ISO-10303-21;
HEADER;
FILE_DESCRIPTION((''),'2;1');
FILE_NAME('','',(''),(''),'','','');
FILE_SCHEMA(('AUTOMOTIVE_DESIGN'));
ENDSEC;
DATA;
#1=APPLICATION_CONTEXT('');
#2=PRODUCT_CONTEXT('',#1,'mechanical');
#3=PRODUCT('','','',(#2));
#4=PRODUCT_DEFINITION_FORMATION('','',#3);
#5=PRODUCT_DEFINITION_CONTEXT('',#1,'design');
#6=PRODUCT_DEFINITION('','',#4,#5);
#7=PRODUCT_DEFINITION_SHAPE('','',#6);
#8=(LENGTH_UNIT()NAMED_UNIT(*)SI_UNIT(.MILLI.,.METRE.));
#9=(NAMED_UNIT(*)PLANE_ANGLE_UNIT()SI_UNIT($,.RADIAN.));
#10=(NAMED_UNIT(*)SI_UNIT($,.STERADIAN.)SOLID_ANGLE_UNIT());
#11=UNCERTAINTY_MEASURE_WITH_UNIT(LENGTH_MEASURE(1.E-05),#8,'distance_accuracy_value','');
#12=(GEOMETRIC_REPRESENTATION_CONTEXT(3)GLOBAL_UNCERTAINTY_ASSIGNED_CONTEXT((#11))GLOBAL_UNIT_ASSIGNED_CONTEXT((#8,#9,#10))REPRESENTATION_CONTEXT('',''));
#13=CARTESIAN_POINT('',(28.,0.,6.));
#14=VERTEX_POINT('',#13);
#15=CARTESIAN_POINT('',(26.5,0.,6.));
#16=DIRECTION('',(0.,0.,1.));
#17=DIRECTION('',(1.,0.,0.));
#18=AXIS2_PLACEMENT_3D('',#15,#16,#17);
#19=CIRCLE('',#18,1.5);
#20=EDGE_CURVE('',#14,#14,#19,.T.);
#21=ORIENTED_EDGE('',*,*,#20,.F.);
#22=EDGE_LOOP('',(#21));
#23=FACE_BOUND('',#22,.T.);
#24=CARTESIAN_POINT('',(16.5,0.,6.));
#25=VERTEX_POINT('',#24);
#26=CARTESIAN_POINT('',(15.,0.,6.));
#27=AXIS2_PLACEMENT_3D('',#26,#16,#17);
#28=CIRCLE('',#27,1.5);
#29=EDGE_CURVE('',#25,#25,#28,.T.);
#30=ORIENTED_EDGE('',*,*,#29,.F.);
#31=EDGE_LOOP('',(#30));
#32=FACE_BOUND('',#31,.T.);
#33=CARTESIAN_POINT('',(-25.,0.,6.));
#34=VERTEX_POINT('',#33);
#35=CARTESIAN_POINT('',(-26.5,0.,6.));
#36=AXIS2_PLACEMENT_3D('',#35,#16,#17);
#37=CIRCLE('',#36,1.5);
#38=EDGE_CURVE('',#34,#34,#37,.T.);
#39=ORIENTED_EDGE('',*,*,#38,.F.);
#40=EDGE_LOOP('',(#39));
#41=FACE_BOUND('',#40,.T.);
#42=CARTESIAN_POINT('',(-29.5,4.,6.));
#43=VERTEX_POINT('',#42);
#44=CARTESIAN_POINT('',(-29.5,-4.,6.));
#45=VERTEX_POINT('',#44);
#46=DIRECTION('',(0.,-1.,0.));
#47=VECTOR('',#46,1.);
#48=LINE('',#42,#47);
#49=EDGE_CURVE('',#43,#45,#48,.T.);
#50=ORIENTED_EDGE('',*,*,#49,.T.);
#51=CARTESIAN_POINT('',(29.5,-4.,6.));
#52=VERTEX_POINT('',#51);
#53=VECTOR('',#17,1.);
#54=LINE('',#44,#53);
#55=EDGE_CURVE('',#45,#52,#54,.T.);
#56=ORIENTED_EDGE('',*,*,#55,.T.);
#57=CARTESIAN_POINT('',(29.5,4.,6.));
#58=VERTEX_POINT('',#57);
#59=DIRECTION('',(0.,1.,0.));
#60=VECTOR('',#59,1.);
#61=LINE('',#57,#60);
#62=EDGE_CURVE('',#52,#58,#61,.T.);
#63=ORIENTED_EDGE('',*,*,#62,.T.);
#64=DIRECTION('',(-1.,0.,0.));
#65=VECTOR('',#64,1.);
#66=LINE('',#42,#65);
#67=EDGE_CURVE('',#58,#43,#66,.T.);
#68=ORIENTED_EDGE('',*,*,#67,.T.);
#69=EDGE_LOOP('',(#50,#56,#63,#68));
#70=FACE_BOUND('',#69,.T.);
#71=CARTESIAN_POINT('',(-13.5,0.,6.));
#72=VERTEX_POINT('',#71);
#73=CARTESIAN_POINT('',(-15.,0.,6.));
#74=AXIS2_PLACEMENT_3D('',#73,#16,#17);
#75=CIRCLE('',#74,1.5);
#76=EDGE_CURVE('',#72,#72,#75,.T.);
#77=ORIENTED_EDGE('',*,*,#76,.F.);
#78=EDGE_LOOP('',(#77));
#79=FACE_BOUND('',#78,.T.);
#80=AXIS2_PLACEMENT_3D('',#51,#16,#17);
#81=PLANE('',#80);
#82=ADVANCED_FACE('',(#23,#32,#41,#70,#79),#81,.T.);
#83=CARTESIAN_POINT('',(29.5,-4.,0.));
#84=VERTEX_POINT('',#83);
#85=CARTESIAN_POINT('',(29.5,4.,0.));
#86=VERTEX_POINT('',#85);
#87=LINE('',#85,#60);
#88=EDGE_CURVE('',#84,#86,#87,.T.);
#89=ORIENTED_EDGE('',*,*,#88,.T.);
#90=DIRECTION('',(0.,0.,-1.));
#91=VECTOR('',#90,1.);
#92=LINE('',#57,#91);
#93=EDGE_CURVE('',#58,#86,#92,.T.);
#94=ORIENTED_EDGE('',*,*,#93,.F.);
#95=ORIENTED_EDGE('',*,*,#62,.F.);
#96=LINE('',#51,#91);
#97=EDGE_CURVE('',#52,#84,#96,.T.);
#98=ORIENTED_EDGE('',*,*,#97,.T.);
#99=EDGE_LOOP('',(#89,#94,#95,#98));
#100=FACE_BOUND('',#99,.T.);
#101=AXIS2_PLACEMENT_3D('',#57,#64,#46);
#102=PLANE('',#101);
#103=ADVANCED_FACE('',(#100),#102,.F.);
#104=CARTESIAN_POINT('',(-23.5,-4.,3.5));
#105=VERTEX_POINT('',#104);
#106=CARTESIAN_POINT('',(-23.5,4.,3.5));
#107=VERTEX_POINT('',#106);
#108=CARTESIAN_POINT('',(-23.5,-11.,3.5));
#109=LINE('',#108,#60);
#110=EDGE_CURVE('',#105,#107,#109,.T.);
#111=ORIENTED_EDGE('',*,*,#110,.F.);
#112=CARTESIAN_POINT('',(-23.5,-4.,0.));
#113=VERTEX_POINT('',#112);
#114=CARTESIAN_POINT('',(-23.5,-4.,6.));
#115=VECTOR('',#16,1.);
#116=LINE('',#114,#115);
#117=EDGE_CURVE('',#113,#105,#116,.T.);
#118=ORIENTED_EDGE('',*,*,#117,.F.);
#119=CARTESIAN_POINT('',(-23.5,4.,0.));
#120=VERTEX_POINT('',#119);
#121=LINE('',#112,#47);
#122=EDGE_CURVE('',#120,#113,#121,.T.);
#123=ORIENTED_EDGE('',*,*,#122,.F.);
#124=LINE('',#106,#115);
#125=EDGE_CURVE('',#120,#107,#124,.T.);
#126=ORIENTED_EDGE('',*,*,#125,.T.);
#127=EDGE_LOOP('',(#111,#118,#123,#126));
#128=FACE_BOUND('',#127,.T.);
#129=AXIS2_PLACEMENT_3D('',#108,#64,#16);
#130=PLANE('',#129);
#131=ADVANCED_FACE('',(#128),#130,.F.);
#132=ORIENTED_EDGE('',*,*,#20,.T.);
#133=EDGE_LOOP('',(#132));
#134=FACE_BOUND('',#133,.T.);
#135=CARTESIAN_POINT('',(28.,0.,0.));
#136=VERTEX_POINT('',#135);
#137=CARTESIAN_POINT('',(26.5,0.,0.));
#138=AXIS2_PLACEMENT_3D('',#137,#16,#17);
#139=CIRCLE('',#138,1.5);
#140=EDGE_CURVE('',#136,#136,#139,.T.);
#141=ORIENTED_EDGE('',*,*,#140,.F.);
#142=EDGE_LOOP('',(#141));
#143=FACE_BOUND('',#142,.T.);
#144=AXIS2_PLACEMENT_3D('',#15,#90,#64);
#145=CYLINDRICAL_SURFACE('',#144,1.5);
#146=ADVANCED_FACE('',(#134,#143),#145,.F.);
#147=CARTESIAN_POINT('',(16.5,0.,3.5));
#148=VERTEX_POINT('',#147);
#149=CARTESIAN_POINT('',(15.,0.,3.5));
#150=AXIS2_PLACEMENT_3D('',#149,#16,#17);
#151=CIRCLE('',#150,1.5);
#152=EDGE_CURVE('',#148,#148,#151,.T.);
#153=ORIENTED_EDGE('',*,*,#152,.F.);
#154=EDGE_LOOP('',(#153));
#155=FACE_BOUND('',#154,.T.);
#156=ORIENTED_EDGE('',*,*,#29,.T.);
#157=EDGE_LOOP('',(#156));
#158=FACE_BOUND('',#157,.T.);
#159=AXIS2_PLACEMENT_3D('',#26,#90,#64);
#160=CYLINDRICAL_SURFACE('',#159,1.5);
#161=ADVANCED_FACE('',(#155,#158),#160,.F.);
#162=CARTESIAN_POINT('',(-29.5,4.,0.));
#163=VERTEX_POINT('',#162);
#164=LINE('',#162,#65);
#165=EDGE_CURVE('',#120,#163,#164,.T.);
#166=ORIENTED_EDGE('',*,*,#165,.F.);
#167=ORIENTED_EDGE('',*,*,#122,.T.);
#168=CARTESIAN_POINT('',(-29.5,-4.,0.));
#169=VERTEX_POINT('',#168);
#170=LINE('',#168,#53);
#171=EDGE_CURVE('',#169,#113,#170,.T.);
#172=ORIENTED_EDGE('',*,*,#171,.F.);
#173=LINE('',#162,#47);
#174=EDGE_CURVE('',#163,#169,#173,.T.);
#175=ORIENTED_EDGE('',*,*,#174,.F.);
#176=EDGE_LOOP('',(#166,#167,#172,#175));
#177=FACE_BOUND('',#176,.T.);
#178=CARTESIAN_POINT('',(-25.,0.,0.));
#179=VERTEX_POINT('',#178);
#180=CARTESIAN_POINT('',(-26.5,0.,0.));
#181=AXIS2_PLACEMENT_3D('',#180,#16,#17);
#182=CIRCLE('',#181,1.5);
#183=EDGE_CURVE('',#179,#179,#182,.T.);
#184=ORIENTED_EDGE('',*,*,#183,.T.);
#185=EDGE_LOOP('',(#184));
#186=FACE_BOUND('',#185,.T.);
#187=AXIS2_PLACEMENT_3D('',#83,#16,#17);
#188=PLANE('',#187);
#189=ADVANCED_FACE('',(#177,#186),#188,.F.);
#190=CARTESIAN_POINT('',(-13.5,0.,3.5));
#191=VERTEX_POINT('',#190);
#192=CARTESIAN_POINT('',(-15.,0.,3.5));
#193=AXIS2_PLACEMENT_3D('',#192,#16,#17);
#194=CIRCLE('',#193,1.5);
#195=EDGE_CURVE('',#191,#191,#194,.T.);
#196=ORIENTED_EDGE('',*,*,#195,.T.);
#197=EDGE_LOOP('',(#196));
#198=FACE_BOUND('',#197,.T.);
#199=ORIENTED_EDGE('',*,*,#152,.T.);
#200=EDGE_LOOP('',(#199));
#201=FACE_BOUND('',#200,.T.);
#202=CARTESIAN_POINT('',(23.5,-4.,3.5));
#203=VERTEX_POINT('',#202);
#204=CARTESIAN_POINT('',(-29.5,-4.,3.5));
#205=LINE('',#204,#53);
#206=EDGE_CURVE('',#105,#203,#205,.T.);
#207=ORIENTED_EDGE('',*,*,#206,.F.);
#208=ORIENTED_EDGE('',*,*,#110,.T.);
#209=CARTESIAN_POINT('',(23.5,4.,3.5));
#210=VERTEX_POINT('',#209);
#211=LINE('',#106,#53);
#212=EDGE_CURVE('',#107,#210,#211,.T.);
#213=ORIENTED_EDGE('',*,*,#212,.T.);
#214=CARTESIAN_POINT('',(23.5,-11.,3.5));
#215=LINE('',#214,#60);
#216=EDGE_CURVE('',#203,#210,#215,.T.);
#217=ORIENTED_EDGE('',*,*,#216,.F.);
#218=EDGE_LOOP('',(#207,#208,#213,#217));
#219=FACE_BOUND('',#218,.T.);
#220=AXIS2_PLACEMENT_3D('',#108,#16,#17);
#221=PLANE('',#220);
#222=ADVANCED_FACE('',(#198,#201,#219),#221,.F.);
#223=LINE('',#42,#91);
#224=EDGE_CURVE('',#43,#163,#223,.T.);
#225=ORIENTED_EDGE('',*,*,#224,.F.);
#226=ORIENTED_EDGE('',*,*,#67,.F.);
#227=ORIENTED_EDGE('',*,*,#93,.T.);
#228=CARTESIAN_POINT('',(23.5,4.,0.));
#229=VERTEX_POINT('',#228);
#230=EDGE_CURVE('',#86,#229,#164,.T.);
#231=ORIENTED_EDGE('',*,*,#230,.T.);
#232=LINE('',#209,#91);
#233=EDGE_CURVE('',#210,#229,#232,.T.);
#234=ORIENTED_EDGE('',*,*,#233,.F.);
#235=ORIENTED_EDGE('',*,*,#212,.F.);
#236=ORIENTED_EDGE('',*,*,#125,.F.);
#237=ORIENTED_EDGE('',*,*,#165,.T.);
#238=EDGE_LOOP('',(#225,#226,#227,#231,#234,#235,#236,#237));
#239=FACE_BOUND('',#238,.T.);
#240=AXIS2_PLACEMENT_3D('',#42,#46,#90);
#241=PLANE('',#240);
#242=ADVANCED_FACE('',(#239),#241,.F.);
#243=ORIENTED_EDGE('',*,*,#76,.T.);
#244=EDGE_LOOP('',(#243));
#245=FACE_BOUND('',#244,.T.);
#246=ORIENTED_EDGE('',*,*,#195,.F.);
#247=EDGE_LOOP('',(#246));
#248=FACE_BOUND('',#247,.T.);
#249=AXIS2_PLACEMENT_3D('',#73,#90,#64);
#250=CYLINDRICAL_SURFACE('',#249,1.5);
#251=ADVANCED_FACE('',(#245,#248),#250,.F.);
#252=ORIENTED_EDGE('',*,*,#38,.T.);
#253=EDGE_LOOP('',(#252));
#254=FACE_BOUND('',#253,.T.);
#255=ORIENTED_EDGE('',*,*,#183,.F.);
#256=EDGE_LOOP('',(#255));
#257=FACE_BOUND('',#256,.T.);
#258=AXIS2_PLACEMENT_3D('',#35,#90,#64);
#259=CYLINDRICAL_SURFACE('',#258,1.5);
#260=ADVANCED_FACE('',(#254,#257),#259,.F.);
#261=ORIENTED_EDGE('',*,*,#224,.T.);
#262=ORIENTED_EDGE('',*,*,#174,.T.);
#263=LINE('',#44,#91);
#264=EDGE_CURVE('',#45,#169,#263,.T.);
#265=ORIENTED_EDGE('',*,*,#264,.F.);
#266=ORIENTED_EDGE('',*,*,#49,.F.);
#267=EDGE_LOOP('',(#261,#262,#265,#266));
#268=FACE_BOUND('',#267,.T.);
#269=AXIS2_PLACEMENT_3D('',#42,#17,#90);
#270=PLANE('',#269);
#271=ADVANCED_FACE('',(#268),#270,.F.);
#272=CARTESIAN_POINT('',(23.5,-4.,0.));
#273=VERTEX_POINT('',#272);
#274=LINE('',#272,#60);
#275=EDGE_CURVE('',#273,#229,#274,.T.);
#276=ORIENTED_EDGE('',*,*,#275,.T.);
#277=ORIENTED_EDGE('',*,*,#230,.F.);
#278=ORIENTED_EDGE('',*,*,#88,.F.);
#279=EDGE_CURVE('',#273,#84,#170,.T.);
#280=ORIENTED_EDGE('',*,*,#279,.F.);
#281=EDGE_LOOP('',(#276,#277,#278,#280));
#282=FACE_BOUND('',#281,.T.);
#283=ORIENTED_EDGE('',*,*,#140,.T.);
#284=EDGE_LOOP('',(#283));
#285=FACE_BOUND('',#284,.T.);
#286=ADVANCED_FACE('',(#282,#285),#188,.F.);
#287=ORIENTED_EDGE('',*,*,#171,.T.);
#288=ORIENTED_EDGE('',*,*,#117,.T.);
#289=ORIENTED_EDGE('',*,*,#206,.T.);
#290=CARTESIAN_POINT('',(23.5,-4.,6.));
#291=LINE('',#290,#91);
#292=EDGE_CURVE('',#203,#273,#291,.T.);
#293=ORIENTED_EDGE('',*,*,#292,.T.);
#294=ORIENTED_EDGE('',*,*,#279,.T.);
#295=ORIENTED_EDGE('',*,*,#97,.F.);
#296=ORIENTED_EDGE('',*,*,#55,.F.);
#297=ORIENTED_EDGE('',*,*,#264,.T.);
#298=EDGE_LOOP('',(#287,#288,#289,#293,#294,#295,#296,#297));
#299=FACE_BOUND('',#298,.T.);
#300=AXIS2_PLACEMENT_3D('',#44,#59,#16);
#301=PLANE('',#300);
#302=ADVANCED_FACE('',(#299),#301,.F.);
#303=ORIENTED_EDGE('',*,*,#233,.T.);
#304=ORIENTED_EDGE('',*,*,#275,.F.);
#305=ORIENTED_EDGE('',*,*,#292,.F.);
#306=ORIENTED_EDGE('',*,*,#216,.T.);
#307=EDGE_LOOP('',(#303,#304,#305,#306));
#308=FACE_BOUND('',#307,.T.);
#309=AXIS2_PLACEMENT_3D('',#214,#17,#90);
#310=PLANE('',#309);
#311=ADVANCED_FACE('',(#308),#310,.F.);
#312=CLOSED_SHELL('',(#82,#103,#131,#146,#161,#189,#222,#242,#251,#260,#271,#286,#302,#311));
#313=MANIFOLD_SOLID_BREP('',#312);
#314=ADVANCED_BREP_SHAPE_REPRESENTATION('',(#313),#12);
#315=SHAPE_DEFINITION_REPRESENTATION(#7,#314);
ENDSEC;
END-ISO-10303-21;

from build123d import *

# Parameters (mm, degrees)
SKETCH1_W           = 59
SKETCH1_H           = 8
SKETCH1_R           = 1.5
BOSS_EXTRUDE1_DEPTH = 6
SKETCH2_W           = 47
SKETCH2_H           = 7
CUT_EXTRUDE1_DEPTH  = 15


with BuildPart() as part:
    # Sketch1 → Boss-Extrude1 (new body)
    with BuildSketch(Plane.XY):
        Rectangle(SKETCH1_W, SKETCH1_H)
        with Locations((-26.5, 0)):
            Circle(SKETCH1_R, mode=Mode.SUBTRACT)
        with Locations((-15, 0)):
            Circle(SKETCH1_R, mode=Mode.SUBTRACT)
        with Locations((15, 0)):
            Circle(SKETCH1_R, mode=Mode.SUBTRACT)
        with Locations((26.5, 0)):
            Circle(SKETCH1_R, mode=Mode.SUBTRACT)
    extrude(amount=BOSS_EXTRUDE1_DEPTH)

    # Sketch2 → Cut-Extrude1 (cut)
    with BuildSketch(Plane(origin=(0, 4, 0), x_dir=(-1, 0, 0), z_dir=(0, 1, 0))):
        Rectangle(SKETCH2_W, SKETCH2_H)
    extrude(amount=-CUT_EXTRUDE1_DEPTH, mode=Mode.SUBTRACT)


solid = part.part
